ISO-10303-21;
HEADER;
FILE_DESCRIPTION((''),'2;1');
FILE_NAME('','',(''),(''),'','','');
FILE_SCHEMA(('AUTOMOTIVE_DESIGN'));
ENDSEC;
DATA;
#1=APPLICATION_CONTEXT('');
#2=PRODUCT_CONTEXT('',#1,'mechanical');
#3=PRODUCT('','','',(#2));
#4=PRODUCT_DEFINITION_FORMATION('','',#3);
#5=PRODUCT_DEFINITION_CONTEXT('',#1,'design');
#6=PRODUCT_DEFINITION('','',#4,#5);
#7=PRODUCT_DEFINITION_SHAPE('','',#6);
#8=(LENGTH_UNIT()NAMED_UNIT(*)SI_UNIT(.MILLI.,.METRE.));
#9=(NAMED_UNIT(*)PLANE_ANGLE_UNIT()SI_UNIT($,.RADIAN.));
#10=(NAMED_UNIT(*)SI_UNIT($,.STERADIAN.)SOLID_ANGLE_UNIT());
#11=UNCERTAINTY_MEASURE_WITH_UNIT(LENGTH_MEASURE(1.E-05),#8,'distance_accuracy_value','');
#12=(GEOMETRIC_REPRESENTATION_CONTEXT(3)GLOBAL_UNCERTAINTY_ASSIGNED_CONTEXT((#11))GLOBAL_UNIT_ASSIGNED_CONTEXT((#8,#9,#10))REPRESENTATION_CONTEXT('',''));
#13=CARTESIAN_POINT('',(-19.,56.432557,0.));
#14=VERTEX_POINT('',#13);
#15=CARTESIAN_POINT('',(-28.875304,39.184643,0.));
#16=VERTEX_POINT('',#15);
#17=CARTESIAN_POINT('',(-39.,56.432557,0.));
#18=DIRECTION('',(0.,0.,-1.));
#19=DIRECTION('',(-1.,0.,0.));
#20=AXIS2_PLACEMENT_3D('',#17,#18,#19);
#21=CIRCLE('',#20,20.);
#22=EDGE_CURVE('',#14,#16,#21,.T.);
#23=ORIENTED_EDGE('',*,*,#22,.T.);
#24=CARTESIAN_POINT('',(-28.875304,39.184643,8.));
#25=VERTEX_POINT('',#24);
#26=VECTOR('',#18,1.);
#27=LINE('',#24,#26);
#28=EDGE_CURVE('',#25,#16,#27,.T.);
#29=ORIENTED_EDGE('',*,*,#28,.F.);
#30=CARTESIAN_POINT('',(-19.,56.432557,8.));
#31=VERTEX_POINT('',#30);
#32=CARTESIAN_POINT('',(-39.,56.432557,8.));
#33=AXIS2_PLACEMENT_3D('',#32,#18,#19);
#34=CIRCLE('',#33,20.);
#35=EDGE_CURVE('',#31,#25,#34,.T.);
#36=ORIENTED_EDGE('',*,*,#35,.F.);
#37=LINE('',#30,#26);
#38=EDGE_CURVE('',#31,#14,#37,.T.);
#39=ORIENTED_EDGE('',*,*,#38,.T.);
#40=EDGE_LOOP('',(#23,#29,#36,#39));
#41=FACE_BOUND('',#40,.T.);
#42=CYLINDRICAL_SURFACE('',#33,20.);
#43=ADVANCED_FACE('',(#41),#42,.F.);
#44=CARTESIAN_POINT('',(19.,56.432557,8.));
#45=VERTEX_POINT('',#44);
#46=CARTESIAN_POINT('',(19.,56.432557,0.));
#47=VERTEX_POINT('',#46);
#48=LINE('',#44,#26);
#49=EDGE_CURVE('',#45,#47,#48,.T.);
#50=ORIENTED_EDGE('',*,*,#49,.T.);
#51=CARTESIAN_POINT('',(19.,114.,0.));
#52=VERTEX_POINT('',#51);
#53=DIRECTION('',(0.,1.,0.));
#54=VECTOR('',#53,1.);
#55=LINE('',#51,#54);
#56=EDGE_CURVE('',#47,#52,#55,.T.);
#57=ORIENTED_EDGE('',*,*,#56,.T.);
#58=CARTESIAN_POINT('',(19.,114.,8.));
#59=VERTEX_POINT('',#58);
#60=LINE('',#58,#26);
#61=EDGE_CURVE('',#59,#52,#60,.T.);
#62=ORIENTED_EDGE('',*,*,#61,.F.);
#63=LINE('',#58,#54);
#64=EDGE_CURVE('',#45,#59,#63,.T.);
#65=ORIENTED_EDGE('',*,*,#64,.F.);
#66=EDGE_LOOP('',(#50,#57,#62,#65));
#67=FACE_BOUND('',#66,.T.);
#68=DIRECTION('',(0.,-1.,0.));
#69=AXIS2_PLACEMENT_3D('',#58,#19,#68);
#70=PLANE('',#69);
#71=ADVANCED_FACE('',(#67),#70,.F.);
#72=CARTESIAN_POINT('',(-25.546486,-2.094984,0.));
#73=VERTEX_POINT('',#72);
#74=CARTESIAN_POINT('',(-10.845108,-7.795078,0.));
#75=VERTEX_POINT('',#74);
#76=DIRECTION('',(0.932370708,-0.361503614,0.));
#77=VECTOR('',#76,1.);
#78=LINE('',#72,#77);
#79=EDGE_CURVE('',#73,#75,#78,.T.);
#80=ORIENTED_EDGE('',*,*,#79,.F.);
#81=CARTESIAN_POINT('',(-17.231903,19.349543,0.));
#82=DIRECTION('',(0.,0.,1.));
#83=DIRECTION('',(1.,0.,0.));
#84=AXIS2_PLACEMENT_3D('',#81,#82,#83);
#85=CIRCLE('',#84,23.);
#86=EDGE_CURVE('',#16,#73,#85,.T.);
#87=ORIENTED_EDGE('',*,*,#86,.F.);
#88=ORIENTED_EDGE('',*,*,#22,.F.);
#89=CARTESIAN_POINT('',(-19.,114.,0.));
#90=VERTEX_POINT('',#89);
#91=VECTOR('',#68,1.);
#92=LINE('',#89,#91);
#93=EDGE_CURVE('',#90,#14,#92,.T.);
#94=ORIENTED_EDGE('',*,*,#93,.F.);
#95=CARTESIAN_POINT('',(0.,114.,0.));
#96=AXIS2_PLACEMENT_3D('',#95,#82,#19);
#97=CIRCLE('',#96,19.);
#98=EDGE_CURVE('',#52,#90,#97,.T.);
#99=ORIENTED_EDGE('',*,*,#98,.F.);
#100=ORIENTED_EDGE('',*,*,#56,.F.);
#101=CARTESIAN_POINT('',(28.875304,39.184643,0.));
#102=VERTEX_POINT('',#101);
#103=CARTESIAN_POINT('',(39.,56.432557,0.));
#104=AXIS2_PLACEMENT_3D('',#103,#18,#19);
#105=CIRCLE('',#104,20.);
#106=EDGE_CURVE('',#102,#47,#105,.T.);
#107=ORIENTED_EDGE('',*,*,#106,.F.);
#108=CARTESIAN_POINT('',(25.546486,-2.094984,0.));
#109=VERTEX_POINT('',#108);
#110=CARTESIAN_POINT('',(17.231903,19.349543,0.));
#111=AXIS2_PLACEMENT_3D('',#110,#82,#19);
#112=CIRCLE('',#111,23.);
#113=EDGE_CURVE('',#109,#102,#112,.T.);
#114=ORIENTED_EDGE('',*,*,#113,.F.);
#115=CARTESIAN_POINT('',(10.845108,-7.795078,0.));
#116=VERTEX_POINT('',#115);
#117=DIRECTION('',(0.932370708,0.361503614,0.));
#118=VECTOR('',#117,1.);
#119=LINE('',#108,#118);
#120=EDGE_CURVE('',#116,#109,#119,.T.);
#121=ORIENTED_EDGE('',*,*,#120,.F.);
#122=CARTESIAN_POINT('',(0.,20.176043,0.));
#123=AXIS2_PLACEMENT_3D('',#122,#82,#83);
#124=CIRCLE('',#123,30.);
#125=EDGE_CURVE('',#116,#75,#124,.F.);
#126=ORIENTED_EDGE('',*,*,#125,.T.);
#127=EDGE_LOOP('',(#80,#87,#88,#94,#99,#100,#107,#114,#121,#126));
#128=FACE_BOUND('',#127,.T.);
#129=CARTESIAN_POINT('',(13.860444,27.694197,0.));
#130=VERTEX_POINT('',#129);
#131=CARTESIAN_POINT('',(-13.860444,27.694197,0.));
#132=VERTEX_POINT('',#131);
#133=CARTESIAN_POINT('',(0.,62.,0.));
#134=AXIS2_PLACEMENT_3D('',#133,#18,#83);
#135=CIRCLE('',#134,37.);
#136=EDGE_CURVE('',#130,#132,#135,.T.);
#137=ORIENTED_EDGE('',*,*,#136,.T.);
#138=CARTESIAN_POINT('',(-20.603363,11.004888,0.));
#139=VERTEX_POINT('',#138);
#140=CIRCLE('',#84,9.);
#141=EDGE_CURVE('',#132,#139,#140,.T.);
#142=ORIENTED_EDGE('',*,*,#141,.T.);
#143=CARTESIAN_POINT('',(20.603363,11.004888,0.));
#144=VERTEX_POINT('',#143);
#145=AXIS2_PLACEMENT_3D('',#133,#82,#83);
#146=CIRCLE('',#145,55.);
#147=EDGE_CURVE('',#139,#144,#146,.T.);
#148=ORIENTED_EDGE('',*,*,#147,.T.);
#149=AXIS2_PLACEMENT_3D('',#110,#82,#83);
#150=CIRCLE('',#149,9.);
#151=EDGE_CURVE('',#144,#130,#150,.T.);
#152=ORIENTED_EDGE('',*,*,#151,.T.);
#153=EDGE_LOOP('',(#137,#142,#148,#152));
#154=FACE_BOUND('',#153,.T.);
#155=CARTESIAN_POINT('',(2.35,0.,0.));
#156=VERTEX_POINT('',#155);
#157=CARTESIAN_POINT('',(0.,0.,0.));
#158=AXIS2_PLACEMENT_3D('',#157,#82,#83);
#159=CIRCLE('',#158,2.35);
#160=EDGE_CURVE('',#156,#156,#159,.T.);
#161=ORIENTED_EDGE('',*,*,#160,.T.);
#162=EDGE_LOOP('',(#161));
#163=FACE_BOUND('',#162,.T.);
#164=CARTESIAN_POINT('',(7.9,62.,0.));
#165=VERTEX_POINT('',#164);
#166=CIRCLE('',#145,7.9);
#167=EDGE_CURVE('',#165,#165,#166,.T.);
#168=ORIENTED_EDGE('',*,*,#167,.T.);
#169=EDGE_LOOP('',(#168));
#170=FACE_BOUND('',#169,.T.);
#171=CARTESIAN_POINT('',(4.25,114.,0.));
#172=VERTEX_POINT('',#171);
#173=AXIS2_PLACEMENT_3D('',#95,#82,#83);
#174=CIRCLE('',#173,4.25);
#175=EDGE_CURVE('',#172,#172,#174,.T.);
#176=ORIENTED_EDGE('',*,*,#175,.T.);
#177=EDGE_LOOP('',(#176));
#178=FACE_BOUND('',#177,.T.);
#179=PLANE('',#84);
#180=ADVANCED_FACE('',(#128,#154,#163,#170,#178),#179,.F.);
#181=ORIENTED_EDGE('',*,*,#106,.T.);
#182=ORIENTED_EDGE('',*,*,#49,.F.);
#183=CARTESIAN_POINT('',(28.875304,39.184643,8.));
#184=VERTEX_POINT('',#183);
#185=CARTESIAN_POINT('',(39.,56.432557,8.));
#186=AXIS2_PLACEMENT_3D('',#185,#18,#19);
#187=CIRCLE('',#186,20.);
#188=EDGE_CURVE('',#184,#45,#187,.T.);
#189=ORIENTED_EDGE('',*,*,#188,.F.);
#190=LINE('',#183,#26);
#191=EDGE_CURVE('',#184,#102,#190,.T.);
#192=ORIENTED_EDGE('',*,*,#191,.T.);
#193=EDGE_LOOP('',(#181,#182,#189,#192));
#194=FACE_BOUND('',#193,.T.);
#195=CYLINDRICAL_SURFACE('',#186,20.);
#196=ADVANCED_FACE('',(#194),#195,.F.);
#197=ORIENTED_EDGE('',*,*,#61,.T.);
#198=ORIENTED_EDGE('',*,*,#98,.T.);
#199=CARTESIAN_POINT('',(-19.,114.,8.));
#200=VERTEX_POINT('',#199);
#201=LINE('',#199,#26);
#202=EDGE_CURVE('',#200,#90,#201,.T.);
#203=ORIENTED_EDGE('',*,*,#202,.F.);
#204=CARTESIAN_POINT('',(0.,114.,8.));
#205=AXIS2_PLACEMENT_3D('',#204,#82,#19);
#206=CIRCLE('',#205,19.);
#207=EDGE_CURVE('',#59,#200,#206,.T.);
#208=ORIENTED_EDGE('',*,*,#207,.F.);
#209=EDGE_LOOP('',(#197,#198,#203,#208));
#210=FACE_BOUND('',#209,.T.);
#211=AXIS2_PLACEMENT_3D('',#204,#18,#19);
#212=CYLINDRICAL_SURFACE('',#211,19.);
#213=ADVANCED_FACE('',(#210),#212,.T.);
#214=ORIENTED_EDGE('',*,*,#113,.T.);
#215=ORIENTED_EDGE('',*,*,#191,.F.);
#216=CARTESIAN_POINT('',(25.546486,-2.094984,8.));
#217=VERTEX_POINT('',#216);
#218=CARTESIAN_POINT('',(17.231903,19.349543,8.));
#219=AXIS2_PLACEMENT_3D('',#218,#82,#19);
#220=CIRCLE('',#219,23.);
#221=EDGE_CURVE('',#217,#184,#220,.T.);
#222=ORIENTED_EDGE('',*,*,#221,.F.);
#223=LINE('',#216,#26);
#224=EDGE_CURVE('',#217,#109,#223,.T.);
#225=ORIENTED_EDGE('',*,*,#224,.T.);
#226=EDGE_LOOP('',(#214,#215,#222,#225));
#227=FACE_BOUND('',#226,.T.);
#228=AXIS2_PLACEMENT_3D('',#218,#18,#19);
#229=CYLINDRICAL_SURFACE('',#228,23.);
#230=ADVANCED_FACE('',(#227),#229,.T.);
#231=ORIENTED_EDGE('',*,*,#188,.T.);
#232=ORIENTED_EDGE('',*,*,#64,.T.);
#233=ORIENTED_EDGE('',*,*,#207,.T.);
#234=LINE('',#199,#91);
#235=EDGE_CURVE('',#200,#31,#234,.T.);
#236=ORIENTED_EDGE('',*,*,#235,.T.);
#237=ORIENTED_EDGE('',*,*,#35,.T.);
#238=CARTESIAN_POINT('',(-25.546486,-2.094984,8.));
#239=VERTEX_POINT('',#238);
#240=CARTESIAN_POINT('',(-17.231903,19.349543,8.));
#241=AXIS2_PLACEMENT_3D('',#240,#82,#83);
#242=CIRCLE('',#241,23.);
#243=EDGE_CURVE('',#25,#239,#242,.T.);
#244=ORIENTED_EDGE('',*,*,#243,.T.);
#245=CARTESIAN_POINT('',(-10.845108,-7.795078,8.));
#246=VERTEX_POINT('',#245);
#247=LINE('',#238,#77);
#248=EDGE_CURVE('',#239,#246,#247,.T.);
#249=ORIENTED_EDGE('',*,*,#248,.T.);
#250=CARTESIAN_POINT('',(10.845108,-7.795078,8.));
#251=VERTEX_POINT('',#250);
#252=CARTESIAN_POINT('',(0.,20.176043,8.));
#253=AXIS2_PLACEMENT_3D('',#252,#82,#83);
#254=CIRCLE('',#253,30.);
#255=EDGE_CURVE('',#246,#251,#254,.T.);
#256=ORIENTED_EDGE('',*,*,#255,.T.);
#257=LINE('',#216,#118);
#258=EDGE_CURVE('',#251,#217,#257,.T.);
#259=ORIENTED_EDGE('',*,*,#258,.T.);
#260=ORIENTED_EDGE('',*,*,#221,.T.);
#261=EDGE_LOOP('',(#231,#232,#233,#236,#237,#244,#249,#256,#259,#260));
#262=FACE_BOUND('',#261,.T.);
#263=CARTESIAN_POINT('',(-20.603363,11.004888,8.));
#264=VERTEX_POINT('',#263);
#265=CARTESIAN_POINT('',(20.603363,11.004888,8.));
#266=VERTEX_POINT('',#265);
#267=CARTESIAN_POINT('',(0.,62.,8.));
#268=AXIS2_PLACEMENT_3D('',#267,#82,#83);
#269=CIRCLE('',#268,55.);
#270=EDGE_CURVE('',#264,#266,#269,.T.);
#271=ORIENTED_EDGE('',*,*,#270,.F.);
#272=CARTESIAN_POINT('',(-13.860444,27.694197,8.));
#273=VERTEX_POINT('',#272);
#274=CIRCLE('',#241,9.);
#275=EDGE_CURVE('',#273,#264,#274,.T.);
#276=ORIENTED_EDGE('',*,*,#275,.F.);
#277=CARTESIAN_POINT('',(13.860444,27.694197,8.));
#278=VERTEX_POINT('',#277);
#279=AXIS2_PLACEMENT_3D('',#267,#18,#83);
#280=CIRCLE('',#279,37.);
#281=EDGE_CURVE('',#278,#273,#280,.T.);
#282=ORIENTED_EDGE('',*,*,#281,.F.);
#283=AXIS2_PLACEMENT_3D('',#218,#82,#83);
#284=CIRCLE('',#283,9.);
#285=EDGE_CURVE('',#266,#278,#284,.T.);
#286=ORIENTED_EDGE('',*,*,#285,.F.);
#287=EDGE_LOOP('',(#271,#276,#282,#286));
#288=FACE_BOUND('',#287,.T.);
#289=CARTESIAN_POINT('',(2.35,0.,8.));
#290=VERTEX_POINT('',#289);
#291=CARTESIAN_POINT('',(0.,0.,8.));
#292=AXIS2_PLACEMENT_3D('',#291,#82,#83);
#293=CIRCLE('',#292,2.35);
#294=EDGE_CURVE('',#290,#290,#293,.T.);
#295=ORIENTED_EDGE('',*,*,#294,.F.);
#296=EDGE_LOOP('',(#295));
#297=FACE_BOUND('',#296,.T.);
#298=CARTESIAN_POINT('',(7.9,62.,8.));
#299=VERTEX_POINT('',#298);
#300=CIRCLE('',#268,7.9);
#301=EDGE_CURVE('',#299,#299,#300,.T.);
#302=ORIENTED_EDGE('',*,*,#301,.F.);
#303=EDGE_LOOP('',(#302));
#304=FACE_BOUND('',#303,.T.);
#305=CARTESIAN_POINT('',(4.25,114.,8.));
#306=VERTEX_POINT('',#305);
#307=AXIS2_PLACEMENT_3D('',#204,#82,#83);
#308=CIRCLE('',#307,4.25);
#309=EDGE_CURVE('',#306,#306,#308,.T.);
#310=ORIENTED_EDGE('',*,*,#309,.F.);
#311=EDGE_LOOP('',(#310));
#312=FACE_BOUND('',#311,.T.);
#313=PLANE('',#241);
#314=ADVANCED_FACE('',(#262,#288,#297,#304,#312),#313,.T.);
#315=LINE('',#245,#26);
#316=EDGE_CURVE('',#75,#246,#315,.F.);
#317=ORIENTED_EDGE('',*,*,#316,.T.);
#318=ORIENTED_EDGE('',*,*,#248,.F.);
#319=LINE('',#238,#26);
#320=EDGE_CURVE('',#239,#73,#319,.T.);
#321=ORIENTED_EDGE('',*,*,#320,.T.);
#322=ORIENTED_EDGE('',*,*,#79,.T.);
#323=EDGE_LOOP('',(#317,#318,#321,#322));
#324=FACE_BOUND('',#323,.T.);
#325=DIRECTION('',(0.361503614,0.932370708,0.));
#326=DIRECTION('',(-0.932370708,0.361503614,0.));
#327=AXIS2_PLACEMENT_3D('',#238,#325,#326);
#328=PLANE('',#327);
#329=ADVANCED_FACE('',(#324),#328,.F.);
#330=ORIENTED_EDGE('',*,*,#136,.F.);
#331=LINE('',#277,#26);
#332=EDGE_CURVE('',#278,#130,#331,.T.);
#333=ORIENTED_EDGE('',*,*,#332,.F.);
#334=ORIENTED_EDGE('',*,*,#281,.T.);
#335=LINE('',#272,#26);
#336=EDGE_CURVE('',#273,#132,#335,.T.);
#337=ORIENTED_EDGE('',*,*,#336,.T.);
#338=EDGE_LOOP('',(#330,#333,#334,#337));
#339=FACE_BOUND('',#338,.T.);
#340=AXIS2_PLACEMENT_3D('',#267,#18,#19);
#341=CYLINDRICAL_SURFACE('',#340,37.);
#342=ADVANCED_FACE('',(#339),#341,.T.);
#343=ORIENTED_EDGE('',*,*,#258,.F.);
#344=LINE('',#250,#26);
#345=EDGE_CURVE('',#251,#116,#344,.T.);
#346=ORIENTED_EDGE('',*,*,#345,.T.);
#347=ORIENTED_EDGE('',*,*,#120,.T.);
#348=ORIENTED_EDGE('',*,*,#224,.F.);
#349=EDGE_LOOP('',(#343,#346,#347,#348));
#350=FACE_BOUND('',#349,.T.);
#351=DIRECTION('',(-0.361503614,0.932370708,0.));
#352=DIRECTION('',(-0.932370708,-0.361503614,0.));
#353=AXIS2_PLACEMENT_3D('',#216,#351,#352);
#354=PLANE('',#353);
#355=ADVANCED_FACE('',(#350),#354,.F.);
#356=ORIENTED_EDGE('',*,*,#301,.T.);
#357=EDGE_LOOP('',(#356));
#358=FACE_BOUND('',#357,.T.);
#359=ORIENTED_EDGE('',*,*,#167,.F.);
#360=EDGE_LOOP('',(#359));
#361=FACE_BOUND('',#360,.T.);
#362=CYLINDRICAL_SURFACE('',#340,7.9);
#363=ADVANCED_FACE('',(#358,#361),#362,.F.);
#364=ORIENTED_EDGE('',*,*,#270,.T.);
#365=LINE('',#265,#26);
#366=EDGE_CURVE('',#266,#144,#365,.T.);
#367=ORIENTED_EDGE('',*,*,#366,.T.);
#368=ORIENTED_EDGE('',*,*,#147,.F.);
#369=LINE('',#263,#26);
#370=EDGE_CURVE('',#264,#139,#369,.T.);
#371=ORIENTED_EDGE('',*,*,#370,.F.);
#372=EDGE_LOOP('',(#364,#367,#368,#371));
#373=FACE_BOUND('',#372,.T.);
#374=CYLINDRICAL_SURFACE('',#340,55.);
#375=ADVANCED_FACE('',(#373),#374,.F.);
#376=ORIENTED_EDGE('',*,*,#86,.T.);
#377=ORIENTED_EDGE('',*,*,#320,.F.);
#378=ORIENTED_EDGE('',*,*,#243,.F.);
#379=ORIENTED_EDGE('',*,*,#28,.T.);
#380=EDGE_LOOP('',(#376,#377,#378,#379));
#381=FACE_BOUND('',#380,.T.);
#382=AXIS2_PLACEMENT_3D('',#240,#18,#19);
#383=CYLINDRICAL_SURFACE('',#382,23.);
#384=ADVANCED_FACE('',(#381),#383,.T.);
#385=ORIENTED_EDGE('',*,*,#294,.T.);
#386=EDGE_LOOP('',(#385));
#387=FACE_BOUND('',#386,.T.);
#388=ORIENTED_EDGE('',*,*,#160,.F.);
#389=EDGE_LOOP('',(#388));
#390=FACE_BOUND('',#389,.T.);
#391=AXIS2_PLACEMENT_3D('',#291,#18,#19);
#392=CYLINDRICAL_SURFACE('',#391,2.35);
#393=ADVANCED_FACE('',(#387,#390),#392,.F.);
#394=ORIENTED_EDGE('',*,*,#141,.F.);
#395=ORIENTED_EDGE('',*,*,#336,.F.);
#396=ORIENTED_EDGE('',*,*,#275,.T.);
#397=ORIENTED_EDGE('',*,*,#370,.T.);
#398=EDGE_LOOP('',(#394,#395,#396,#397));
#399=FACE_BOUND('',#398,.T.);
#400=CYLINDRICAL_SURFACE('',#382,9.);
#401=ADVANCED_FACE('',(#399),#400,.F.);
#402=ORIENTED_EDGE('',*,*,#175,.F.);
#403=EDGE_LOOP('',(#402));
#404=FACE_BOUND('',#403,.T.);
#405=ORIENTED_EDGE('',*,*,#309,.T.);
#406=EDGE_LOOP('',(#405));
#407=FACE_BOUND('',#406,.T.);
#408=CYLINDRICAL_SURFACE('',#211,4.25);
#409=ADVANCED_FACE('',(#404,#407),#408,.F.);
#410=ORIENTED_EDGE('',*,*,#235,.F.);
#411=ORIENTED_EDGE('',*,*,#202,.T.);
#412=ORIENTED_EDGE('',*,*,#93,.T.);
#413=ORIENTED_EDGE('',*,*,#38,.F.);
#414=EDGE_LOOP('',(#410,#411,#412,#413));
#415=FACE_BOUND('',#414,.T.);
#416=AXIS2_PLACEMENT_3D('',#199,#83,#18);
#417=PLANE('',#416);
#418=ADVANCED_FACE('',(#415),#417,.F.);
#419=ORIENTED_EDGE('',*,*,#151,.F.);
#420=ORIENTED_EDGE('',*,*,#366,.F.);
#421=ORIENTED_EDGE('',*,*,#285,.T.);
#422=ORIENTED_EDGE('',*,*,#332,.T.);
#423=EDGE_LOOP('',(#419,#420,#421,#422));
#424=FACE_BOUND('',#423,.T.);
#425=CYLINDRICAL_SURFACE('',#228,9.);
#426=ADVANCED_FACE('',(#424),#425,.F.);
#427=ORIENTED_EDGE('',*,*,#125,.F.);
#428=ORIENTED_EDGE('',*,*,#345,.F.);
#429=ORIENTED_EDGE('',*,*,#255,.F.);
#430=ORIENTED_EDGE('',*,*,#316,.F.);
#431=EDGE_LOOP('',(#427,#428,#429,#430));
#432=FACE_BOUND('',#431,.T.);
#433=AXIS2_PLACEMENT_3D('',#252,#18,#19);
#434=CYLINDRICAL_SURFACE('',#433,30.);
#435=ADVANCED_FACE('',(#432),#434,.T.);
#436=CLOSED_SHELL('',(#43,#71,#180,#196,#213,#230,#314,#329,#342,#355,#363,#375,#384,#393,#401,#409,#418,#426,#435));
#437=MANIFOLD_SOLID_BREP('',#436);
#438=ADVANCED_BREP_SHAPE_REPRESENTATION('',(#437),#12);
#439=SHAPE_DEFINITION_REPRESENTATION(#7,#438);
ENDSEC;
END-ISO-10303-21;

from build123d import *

# Parameters (mm, degrees)
SKETCH_1_R      = 7.9
SKETCH_1_R_2    = 4.25
SKETCH_1_R_3    = 2.35
EXTRUDE_1_DEPTH = 8
FILLET_1_R      = 30


with BuildPart() as part:
    # Эскиз1 → Бобышка-Вытянуть1 (new body)
    with BuildSketch(Plane.XY):
        with BuildLine():
            Line((-19, 114), (-19, 56.432557211))
            ThreePointArc((-19, 56.432557211), (-21.643532577, 46.495100866), (-28.875303859, 39.18464348))
            ThreePointArc((-28.875303859, 39.18464348), (-40.157482483, 17.500808258), (-25.546486414, -2.094983595))
            Line((-25.546486414, -2.094983595), (0, -12))
            Line((0, -12), (25.546486414, -2.094983595))
            ThreePointArc((25.546486414, -2.094983595), (40.157482483, 17.500808258), (28.875303859, 39.18464348))
            ThreePointArc((28.875303859, 39.18464348), (21.643532577, 46.495100866), (19, 56.432557211))
            Line((19, 56.432557211), (19, 114))
            ThreePointArc((19, 114), (0, 133), (-19, 114))
        make_face()
        with Locations((0, 62)):
            Circle(SKETCH_1_R, mode=Mode.SUBTRACT)
        with Locations((0, 114)):
            Circle(SKETCH_1_R_2, mode=Mode.SUBTRACT)
        Circle(SKETCH_1_R_3, mode=Mode.SUBTRACT)
        with BuildLine():
            ThreePointArc((-20.603362638, 11.004887999), (0, 7), (20.603362638, 11.004887999))
            ThreePointArc((20.603362638, 11.004887999), (25.576557988, 22.721002031), (13.860443956, 27.694197381))
            ThreePointArc((13.860443956, 27.694197381), (0, 25), (-13.860443956, 27.694197381))
            ThreePointArc((-13.860443956, 27.694197381), (-25.576557988, 22.721002031), (-20.603362638, 11.004887999))
        make_face(mode=Mode.SUBTRACT)
    extrude(amount=EXTRUDE_1_DEPTH)

    # Скругление1
    fillet_1_edges = [part.edges().sort_by_distance(p)[0] for p in [
        (0, -12, 4),
    ]]
    fillet(fillet_1_edges, radius=FILLET_1_R)


solid = part.part
